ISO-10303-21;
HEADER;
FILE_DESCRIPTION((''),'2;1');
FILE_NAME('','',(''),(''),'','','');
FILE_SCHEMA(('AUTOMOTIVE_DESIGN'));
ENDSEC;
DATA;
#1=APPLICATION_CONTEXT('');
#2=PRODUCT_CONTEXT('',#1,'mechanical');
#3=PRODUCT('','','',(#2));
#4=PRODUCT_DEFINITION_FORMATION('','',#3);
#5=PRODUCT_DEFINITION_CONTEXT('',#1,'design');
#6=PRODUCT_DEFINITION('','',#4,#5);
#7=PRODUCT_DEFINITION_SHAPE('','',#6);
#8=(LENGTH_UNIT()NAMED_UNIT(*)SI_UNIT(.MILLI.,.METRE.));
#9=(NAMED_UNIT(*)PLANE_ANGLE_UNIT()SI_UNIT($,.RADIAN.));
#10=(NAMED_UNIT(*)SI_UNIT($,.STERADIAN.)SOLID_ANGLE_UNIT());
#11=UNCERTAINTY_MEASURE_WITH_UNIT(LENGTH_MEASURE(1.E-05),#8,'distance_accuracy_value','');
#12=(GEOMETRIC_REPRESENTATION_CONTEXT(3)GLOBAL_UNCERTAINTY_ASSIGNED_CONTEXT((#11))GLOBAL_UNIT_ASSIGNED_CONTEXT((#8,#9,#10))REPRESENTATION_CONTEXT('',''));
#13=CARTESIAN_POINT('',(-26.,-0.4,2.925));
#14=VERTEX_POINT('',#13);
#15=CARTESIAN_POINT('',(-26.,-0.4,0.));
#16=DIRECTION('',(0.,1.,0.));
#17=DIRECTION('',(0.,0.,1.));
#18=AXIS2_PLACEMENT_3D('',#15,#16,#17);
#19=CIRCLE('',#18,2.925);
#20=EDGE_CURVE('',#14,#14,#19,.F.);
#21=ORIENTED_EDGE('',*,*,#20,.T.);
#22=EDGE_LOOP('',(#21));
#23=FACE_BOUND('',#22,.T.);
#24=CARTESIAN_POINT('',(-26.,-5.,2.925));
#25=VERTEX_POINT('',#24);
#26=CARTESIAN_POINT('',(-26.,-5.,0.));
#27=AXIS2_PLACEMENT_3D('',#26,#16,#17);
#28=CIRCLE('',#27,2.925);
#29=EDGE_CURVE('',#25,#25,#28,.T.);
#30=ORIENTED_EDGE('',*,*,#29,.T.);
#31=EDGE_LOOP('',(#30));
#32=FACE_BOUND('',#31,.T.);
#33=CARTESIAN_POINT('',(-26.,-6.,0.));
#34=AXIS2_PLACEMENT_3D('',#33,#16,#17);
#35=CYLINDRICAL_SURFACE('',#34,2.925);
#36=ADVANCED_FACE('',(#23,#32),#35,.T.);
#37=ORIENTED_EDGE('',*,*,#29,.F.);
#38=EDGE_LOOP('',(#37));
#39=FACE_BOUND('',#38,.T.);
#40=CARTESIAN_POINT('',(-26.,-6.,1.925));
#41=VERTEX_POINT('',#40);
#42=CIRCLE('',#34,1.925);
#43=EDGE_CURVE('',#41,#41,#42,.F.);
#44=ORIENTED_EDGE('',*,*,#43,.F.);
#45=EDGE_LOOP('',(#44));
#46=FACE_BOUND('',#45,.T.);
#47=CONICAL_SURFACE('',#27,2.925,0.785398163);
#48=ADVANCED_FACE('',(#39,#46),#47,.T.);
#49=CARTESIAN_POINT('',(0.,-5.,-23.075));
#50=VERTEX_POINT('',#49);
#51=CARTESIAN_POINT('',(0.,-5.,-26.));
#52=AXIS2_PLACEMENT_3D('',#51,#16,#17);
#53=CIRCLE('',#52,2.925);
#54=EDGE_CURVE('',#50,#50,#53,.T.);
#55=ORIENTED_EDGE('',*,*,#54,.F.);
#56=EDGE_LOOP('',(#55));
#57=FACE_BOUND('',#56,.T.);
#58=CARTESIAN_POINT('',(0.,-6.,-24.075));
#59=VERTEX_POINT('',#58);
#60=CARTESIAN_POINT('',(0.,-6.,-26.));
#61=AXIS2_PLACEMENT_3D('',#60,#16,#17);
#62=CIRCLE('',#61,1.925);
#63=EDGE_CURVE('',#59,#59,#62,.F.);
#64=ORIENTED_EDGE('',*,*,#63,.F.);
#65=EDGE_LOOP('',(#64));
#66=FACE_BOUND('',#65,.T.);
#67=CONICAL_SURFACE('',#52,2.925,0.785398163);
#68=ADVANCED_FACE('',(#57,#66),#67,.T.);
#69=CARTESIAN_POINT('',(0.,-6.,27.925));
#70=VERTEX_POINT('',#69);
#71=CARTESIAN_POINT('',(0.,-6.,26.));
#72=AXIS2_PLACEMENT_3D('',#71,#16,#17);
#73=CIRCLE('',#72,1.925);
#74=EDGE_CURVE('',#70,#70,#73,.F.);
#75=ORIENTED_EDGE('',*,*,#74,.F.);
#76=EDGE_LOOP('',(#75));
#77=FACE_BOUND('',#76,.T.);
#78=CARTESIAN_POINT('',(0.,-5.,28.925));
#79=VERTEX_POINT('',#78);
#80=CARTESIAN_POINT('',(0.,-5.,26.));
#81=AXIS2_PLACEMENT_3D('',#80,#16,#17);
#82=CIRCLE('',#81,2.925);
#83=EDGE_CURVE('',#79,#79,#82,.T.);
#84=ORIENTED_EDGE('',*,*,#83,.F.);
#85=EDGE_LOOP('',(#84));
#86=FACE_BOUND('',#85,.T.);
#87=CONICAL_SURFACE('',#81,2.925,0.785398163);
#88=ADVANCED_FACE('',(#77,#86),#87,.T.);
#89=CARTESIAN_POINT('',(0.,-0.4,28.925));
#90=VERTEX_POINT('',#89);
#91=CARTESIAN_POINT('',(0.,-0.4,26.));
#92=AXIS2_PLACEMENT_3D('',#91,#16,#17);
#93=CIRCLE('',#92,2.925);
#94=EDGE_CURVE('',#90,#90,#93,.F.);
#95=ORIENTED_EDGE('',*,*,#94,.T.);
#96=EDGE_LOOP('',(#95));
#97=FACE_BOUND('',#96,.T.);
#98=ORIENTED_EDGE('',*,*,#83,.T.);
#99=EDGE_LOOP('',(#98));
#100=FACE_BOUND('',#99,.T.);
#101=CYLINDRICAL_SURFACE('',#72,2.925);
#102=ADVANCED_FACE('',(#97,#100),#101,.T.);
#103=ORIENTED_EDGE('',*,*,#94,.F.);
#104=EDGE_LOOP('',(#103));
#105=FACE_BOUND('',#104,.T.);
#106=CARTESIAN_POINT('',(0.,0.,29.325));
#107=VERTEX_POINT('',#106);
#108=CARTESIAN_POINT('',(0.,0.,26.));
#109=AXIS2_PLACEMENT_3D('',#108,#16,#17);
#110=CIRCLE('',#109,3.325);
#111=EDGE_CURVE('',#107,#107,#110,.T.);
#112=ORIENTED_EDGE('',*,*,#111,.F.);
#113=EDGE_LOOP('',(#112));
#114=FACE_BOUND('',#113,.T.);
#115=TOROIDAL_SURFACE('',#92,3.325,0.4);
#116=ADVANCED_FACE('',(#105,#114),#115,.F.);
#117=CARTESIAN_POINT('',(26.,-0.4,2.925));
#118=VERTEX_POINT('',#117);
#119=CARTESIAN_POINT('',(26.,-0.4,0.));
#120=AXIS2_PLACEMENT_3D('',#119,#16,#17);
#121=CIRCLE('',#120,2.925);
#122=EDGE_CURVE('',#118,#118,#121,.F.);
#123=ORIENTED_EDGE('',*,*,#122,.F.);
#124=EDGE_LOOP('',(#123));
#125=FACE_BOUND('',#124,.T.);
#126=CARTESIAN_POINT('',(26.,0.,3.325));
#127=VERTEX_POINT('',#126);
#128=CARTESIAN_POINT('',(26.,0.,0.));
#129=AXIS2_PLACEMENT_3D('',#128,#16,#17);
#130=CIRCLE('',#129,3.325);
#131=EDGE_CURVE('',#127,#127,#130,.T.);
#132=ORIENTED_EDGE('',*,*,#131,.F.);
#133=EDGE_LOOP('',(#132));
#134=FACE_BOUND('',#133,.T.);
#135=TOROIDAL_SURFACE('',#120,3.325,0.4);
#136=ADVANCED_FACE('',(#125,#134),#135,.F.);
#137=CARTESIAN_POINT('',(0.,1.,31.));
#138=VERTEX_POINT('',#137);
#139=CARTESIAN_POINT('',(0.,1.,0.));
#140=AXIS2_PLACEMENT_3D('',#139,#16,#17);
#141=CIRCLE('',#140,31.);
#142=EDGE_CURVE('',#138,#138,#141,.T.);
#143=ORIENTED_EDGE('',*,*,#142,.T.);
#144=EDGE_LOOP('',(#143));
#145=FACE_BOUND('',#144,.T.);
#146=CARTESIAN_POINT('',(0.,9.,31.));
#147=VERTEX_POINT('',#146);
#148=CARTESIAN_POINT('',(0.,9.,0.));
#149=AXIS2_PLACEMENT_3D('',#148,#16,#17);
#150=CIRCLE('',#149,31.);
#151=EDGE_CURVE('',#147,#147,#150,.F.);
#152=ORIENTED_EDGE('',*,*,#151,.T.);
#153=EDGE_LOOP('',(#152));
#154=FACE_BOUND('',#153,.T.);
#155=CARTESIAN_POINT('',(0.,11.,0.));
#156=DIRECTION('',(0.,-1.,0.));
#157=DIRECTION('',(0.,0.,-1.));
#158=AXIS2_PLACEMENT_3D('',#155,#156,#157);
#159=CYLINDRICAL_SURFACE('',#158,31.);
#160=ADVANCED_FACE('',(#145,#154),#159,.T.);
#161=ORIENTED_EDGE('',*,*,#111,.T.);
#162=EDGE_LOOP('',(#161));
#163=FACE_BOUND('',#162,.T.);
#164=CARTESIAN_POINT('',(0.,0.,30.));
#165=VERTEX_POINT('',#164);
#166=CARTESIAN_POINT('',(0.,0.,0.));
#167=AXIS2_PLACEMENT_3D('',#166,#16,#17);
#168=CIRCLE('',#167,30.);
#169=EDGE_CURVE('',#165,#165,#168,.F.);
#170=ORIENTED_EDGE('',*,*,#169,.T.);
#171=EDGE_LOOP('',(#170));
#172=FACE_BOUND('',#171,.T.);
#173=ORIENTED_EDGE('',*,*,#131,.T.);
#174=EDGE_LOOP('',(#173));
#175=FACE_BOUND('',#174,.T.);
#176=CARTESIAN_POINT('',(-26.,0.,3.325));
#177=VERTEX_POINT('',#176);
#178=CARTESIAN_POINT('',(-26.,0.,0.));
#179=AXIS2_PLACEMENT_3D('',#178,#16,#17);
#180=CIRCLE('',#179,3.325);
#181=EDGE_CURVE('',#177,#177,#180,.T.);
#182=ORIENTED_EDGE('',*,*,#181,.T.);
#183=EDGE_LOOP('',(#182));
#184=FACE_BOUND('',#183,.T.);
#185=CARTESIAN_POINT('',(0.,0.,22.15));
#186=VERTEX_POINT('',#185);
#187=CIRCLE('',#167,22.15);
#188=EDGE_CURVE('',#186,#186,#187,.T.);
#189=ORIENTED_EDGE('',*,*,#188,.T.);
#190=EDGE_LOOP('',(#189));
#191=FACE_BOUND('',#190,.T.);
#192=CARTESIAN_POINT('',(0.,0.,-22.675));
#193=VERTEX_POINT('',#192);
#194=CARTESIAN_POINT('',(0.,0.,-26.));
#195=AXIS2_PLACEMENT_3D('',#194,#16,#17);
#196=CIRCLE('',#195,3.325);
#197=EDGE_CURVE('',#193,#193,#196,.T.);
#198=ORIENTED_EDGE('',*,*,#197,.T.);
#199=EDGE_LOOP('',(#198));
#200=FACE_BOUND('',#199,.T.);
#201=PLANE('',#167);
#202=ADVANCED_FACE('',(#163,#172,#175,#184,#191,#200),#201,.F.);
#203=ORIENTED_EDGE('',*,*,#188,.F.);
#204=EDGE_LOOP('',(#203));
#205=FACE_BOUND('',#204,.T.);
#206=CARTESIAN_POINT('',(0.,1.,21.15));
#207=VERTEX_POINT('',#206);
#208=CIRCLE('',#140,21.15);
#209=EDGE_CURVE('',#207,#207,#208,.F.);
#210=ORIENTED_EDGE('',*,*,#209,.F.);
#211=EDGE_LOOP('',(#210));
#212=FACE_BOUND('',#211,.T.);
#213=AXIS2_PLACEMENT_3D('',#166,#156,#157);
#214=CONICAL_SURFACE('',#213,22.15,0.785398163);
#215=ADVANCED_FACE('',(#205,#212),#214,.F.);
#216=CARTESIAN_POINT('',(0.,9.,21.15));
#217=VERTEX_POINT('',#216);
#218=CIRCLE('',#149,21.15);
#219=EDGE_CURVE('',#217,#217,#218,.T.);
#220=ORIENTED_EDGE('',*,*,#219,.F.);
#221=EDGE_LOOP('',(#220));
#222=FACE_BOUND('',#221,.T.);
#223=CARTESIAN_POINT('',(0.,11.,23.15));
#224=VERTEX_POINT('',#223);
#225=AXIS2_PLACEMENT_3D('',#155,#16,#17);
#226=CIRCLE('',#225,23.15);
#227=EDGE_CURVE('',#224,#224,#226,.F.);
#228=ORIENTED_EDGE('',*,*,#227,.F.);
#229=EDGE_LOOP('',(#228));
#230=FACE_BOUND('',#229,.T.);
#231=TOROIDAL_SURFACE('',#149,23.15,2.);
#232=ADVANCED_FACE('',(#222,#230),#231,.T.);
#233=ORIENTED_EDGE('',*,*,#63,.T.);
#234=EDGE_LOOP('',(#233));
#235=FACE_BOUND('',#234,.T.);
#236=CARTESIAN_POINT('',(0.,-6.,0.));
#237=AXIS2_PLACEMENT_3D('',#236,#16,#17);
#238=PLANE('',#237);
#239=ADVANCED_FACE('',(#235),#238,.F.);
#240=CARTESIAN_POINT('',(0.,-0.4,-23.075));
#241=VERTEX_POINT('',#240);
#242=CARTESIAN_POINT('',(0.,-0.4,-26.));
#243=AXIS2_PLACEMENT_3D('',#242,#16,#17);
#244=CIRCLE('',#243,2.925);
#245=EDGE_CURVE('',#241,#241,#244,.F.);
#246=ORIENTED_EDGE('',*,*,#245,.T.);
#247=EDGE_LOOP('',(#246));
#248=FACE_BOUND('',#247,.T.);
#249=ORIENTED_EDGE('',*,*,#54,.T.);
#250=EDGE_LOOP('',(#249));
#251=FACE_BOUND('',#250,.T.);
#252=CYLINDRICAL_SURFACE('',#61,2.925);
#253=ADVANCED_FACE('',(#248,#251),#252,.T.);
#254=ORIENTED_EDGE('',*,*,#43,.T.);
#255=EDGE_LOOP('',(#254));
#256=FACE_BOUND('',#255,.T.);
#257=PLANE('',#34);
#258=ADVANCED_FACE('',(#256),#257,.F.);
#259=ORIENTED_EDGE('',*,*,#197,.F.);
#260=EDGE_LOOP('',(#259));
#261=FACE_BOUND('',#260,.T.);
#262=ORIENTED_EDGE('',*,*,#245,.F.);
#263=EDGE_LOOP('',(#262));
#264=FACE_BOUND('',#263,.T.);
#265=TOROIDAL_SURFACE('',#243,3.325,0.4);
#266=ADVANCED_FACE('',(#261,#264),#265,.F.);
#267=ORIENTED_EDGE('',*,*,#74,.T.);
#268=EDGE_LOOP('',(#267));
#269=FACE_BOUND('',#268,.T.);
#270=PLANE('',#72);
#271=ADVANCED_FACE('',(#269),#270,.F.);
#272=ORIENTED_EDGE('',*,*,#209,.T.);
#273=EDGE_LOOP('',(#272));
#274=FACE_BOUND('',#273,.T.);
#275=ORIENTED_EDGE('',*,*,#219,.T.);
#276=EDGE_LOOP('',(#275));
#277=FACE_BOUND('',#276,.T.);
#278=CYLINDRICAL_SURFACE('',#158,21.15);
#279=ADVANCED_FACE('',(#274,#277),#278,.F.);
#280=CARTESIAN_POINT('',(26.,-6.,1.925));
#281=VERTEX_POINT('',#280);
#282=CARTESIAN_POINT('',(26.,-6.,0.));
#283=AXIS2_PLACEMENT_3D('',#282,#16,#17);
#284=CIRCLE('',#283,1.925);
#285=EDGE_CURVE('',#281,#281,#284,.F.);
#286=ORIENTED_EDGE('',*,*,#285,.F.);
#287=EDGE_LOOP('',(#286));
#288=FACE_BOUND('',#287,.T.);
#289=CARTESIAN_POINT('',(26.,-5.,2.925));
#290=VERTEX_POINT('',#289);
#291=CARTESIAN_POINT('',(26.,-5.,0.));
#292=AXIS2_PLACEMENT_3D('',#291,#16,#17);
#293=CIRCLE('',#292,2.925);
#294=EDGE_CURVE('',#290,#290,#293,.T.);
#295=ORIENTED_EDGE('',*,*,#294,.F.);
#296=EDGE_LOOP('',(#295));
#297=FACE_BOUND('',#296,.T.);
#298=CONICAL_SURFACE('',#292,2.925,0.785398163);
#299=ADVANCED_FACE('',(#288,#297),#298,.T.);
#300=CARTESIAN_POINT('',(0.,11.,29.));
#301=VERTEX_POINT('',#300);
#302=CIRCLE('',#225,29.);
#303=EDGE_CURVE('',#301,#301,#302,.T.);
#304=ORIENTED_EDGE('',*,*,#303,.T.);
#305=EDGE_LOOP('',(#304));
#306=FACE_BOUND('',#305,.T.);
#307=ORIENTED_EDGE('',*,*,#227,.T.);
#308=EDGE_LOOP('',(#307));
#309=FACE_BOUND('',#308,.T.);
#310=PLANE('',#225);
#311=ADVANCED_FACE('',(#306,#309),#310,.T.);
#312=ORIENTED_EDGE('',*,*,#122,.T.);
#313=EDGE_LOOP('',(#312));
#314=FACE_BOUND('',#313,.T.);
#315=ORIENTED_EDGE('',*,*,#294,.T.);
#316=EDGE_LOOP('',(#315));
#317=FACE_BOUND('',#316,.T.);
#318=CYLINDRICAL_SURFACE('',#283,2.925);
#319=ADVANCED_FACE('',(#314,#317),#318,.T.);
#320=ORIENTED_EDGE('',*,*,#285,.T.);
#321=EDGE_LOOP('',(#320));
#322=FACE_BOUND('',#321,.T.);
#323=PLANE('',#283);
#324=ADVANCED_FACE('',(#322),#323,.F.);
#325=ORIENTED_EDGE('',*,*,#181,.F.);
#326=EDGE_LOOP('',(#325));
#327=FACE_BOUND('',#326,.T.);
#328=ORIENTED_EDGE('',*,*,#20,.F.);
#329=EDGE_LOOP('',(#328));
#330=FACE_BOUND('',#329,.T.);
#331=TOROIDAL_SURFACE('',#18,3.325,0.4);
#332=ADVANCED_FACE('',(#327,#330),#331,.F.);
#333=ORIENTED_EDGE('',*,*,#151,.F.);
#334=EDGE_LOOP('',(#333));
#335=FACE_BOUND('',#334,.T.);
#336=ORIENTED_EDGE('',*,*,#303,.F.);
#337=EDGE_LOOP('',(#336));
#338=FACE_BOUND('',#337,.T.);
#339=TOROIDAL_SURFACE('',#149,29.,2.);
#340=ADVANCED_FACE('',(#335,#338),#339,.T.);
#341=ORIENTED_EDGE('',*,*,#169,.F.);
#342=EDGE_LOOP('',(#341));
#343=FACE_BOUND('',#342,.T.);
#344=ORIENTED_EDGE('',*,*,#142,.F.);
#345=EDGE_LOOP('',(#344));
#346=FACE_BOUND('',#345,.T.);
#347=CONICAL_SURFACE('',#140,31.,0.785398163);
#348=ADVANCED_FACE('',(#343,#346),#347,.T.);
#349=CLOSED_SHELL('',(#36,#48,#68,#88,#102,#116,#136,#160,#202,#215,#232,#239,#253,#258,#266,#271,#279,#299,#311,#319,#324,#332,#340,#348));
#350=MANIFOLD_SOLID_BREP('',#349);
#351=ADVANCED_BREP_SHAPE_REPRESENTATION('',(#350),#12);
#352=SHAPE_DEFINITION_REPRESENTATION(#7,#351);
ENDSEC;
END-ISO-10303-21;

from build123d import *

# Parameters (mm, degrees)
SKETCH_1_R      = 31
SKETCH_1_R_2    = 21.15
EXTRUDE_1_DEPTH = 11
SKETCH_1_3_R    = 2.925
EXTRUDE_2_DEPTH = 6
CHAMFER_1_SIZE  = 1
CHAMFER_2_SIZE  = 1
FILLET_1_R      = 2
FILLET_2_R      = 0.4


with BuildPart() as part:
    # Эскиз1 → Бобышка-Вытянуть1 (new body)
    with BuildSketch(Plane(origin=(0, 0, 0), x_dir=(1, 0, 0), z_dir=(0, 1, 0))):
        Circle(SKETCH_1_R)
        Circle(SKETCH_1_R_2, mode=Mode.SUBTRACT)
    extrude(amount=EXTRUDE_1_DEPTH)

    # Эскиз1<3> → Бобышка-Вытянуть2 (add)
    with BuildSketch(Plane(origin=(0, 0, 0), x_dir=(1, 0, 0), z_dir=(0, 1, 0))):
        with Locations((0, 26)):
            Circle(SKETCH_1_3_R)
        with Locations((26, 0)):
            Circle(SKETCH_1_3_R)
        with Locations((0, -26)):
            Circle(SKETCH_1_3_R)
        with Locations((-26, 0)):
            Circle(SKETCH_1_3_R)
    extrude(amount=-EXTRUDE_2_DEPTH)

    # Фаска1
    chamfer_1_edges = [part.edges().sort_by_distance(p)[0] for p in [
        (-28.925, -6, 0),
        (-2.925, -6, -26),
        (23.075, -6, 0),
        (-2.925, -6, 26),
    ]]
    chamfer(chamfer_1_edges, length=CHAMFER_1_SIZE)

    # Фаска2
    chamfer_2_edges = [part.edges().sort_by_distance(p)[0] for p in [
        (-21.15, 0, 0),
        (-31, 0, 0),
    ]]
    chamfer(chamfer_2_edges, length=CHAMFER_2_SIZE)

    # Скругление1
    fillet_1_edges = [part.edges().sort_by_distance(p)[0] for p in [
        (-21.15, 11, 0),
        (-31, 11, 0),
    ]]
    fillet(fillet_1_edges, radius=FILLET_1_R)

    # Скругление2
    fillet_2_edges = [part.edges().sort_by_distance(p)[0] for p in [
        (23.075, 0, 0),
        (-2.925, 0, 26),
        (-28.925, 0, 0),
        (-2.925, 0, -26),
    ]]
    fillet(fillet_2_edges, radius=FILLET_2_R)


solid = part.part
